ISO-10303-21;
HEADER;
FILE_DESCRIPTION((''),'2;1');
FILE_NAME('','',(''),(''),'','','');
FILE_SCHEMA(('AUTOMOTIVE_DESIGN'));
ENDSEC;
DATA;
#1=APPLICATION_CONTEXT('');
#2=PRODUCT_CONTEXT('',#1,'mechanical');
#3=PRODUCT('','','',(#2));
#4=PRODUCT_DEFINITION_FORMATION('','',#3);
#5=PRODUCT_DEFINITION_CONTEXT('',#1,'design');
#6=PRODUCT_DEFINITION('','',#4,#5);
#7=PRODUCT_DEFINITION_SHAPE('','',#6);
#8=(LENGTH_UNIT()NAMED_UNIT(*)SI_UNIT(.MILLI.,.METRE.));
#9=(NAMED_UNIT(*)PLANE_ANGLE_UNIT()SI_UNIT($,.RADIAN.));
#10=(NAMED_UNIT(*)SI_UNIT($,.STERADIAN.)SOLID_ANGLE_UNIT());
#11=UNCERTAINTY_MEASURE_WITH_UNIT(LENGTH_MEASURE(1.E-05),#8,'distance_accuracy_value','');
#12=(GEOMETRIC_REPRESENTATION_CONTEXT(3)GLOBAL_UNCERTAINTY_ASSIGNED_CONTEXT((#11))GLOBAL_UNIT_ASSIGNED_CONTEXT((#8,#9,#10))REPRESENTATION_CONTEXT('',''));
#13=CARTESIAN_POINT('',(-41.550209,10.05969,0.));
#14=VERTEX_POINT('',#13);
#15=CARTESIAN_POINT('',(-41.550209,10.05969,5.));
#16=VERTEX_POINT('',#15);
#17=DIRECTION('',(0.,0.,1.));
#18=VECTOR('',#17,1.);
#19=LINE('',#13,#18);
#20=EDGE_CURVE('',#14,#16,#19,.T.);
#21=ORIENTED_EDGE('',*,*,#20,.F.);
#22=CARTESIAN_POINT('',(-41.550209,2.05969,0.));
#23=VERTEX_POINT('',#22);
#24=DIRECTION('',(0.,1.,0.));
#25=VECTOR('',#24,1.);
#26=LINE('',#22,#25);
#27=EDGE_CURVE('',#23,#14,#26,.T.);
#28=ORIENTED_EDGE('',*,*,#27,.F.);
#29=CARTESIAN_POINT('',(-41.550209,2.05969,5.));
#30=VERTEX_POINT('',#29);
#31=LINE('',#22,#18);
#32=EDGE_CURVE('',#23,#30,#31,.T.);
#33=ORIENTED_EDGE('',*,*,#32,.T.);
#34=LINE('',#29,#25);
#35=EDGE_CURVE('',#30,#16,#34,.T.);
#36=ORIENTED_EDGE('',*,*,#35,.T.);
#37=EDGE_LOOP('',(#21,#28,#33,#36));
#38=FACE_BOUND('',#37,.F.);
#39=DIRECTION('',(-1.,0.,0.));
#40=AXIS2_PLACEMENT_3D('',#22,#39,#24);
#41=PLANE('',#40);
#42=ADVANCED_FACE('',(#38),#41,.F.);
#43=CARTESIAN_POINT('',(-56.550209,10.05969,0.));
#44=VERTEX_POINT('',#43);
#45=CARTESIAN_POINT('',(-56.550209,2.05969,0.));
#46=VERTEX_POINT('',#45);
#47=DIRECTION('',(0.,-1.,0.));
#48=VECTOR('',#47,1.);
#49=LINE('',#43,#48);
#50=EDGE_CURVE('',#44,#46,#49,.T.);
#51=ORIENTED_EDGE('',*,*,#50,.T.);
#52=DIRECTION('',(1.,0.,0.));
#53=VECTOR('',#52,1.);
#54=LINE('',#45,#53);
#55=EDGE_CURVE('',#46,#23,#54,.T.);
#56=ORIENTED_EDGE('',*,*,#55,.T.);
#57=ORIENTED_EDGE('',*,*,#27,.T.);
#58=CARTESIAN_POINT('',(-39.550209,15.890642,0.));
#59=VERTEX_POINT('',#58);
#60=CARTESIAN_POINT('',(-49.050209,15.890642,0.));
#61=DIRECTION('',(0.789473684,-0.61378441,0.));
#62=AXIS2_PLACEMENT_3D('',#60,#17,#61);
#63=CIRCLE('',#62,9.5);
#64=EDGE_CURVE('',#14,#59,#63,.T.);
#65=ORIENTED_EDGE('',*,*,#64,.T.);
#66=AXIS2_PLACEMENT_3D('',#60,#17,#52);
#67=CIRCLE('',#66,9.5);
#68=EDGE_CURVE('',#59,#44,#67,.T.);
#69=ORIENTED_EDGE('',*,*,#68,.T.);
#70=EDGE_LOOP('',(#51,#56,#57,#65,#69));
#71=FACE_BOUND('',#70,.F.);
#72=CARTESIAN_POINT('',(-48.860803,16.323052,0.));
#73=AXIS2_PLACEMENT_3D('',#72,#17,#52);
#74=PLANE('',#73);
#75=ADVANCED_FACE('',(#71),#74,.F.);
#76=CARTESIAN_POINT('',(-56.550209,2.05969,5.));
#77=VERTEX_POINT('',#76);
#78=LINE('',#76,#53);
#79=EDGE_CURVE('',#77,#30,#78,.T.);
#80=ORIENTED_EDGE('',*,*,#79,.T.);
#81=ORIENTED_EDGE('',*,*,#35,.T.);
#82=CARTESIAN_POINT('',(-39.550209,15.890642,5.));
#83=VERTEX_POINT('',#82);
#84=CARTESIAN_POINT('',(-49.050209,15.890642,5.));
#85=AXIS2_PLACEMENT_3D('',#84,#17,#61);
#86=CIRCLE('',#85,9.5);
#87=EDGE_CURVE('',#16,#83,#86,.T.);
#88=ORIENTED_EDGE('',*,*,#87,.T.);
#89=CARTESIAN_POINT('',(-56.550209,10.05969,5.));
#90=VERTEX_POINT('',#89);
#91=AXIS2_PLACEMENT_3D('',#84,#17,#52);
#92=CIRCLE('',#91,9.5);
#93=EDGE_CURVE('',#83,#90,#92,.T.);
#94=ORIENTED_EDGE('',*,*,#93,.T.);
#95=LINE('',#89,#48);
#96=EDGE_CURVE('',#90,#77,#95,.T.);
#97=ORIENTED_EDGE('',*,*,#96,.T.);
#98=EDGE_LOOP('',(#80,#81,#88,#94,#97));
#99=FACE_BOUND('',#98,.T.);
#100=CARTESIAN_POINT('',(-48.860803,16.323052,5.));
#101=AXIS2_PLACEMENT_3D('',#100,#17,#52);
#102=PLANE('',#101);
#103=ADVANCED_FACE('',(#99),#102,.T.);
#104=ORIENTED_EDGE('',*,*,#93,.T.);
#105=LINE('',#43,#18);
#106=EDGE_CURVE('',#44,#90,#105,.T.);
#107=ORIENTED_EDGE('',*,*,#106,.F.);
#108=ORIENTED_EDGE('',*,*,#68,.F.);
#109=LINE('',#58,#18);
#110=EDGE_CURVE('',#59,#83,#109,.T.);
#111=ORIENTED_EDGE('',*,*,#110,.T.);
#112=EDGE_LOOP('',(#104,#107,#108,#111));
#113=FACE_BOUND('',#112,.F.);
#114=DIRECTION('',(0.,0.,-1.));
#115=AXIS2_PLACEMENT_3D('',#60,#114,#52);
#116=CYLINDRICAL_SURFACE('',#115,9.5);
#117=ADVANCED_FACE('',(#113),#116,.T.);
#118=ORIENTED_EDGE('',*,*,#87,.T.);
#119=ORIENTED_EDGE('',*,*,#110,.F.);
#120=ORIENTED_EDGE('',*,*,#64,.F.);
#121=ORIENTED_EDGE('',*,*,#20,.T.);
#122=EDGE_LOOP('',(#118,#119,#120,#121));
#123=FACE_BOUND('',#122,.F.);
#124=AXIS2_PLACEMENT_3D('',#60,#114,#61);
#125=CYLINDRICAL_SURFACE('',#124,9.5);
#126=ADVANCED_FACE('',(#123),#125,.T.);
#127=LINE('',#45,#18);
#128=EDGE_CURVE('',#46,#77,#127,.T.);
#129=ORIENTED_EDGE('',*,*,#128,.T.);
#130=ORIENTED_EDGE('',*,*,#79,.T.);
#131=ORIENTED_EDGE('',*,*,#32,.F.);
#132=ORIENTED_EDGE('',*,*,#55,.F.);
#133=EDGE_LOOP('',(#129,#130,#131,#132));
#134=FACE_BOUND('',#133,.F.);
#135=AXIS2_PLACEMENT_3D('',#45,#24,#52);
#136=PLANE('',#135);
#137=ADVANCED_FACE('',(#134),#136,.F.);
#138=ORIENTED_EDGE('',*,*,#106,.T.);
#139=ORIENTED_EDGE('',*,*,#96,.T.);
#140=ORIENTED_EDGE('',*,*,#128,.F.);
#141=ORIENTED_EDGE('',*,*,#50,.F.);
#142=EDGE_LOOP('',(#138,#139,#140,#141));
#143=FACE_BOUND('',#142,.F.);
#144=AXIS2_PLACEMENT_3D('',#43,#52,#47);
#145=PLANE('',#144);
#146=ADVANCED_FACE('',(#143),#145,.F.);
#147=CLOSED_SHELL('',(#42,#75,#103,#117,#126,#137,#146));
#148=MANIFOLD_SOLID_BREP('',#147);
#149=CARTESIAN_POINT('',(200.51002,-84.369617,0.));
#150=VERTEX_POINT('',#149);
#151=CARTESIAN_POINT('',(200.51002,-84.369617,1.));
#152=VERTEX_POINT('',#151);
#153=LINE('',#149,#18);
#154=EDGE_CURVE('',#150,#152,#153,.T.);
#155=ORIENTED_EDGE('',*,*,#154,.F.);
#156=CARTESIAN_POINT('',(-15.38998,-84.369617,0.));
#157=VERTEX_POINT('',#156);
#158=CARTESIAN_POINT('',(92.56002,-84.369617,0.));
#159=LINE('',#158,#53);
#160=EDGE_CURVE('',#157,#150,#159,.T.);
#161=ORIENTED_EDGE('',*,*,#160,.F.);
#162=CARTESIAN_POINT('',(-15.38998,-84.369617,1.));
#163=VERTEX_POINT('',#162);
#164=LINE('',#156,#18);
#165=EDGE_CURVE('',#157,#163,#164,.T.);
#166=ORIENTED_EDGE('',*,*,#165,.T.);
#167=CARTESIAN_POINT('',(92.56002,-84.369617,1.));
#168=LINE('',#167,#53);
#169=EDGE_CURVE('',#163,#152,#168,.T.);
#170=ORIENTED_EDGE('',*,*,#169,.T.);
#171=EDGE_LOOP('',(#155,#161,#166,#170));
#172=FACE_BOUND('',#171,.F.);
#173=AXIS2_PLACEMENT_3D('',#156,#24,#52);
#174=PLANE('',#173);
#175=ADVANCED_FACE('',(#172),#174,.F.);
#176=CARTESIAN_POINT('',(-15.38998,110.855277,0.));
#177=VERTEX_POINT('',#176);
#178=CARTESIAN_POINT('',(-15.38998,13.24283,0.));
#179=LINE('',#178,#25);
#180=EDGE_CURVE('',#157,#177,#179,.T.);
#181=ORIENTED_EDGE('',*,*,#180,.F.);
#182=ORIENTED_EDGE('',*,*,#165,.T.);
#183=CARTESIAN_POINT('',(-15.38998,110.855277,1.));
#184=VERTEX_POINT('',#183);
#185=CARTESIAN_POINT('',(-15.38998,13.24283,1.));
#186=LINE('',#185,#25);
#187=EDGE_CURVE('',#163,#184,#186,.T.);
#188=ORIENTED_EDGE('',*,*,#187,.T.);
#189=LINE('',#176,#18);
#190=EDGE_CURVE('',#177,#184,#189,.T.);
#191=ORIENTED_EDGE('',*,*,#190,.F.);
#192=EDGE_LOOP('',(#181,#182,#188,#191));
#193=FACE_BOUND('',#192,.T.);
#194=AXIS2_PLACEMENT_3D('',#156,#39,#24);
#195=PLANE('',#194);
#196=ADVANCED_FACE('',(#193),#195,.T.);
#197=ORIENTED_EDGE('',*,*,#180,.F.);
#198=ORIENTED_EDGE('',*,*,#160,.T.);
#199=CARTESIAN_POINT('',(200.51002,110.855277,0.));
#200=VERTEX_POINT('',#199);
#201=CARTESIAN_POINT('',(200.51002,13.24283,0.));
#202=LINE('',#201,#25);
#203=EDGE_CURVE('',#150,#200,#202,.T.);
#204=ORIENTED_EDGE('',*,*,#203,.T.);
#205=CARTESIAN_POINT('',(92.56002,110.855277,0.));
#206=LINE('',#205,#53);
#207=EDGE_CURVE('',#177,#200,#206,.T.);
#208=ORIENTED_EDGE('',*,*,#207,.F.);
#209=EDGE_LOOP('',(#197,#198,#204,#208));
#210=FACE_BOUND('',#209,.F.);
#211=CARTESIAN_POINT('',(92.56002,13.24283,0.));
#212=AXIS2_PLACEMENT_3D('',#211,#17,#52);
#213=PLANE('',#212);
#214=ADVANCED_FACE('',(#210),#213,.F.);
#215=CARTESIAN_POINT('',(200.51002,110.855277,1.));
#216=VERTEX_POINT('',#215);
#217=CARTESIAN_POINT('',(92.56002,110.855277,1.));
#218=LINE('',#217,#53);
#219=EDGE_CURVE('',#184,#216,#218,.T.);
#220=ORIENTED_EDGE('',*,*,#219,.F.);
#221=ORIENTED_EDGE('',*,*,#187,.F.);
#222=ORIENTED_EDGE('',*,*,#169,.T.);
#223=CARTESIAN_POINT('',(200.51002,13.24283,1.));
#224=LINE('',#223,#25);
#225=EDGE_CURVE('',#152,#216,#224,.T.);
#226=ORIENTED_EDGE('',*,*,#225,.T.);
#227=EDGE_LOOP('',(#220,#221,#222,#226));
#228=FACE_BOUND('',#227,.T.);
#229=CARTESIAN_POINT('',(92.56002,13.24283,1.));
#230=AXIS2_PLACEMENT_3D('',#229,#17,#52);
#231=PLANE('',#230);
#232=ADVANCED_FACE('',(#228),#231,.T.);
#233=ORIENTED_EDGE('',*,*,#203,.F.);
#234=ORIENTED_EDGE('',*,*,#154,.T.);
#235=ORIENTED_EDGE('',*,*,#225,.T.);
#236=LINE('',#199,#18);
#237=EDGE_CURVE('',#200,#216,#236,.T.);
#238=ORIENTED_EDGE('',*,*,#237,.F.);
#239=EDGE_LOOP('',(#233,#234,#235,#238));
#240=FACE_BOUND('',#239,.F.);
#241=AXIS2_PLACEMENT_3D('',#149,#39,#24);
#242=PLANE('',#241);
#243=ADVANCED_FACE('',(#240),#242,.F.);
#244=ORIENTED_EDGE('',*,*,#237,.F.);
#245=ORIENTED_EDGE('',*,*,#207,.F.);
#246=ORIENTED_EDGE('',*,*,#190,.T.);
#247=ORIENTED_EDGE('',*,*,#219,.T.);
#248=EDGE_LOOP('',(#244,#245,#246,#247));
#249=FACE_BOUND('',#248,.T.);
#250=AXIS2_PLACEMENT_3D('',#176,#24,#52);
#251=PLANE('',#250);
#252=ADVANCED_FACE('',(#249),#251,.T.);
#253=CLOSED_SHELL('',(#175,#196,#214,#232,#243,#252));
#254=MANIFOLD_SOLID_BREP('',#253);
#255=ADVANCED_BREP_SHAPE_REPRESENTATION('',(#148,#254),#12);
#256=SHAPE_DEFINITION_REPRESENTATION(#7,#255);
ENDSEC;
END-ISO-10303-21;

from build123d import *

# Parameters (mm, degrees)
F1_DEPTH = 5
F2_W     = 215.9
F2_H     = 195.2248938816
F3_DEPTH = 1


with BuildPart() as f1:
    # F0 (on Top) → F1 (new body)
    with BuildSketch(Plane.XY):
        with BuildLine():
            ThreePointArc((-41.5502086074, 10.0596904365), (-40.0641082296, 12.8084353299), (-39.5502086074, 15.8906423313))
            ThreePointArc((-39.5502086074, 15.8906423313), (-52.1324156089, 24.8767427091), (-56.5502086074, 10.0596904365))
            Line((-56.5502086074, 10.0596904365), (-41.5502086074, 10.0596904365))
        make_face()
        with BuildLine():
            Line((-41.5502086074, 10.0596904365), (-56.5502086074, 10.0596904365))
            ThreePointArc((-56.5502086074, 10.0596904365), (-49.0502086074, 6.3906423313), (-41.5502086074, 10.0596904365))
        make_face()
        with BuildLine():
            ThreePointArc((-41.5502086074, 10.0596904365), (-49.0502086074, 6.3906423313), (-56.5502086074, 10.0596904365))
            Line((-56.5502086074, 10.0596904365), (-56.5502086074, 2.0596904365))
            Line((-56.5502086074, 2.0596904365), (-41.5502086074, 2.0596904365))
            Line((-41.5502086074, 2.0596904365), (-41.5502086074, 10.0596904365))
        make_face()
    extrude(amount=F1_DEPTH)


with BuildPart() as f3:
    # F2 (on Top) → F3 (new body)
    with BuildSketch(Plane.XY):
        with Locations((92.5600202754, 13.2428300567)):
            Rectangle(F2_W, F2_H)
    extrude(amount=F3_DEPTH)


solid = Compound([f1.part, f3.part])
